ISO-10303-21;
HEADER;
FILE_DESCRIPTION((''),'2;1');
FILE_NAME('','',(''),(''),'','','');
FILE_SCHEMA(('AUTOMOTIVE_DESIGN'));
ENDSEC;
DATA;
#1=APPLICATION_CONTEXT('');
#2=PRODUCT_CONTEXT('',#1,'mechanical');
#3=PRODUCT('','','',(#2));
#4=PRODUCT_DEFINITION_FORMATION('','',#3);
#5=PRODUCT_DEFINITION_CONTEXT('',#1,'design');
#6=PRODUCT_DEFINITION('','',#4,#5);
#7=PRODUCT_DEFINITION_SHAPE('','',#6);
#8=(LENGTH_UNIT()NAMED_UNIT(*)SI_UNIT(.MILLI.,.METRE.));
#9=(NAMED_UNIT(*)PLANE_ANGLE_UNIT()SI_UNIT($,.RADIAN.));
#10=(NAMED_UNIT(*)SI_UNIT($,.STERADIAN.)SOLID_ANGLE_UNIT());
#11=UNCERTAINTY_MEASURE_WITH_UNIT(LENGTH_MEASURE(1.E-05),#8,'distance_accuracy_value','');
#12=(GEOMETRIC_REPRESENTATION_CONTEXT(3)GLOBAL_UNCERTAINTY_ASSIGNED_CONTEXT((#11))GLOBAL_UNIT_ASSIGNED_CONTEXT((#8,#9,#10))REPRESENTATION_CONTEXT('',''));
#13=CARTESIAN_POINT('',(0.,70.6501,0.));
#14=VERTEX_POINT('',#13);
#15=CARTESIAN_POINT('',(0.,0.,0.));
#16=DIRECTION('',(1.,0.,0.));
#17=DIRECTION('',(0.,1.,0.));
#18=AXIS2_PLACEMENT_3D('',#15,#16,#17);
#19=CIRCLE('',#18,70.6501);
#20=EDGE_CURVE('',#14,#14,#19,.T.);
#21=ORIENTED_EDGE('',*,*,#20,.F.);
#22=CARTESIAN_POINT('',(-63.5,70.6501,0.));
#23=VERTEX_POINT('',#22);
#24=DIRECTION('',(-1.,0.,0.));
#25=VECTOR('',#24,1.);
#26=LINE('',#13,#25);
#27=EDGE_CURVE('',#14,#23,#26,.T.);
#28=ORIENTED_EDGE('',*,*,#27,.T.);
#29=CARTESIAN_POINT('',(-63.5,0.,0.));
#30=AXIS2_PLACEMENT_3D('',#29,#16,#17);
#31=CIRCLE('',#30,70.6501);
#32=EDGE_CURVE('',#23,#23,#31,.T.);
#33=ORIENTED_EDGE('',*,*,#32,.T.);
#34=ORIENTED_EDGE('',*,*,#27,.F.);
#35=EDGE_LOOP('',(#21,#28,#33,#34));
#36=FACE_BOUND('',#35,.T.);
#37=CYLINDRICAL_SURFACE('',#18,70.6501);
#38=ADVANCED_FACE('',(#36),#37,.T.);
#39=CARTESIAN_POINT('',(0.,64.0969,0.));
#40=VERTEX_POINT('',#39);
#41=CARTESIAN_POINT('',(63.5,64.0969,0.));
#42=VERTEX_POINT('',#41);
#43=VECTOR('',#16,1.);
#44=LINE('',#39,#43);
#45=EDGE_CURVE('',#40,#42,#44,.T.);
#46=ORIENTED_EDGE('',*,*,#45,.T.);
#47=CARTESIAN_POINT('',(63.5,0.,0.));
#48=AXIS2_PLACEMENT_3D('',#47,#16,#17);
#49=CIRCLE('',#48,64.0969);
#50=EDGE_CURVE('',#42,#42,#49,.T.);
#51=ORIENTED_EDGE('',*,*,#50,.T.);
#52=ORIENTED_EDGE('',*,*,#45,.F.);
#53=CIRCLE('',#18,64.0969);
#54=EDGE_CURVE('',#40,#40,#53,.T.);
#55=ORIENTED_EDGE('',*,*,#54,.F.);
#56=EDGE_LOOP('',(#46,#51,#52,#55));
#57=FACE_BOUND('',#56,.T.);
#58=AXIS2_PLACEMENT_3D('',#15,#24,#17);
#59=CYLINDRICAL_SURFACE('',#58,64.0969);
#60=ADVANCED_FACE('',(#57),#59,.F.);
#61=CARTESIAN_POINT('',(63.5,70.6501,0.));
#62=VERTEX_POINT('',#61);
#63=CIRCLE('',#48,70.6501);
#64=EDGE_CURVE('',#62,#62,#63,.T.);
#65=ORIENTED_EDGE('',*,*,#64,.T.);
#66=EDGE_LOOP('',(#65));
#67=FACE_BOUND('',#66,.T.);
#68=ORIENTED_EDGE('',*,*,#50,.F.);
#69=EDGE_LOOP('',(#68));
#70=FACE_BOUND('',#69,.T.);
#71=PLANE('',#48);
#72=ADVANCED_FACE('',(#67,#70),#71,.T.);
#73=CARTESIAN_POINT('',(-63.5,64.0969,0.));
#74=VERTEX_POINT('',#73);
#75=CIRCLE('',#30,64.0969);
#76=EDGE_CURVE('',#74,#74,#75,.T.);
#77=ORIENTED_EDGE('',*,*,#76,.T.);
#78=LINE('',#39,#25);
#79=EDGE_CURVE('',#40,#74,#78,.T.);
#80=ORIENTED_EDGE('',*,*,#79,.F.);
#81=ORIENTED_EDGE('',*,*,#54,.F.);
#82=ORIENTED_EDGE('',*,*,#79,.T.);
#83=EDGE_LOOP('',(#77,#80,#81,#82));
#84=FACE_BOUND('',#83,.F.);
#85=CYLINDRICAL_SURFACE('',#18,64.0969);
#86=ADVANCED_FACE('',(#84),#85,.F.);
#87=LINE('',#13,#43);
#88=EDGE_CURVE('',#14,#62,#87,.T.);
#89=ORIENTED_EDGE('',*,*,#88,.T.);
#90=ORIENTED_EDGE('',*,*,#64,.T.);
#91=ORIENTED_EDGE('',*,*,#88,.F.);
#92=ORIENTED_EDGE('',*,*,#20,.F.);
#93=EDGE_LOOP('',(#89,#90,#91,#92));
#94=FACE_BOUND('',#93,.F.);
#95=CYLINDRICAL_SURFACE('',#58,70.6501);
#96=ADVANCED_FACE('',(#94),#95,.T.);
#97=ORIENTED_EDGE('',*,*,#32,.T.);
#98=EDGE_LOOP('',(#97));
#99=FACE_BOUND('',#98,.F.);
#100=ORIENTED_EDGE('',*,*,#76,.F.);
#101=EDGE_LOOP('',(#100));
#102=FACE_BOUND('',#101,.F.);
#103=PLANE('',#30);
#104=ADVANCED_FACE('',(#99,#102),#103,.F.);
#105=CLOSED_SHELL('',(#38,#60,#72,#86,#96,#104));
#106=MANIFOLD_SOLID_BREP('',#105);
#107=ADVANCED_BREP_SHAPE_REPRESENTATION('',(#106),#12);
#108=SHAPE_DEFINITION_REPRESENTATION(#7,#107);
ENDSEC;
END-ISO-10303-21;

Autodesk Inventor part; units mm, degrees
ref_plane "YZ Plane" through (0, 0, 0) normal (1, 0, 0) x (0, 1, 0)
ref_plane "XZ Plane" through (0, 0, 0) normal (0, 1, 0) x (-1, 0, 0)
ref_plane "XY Plane" through (0, 0, 0) normal (0, 0, 1) x (1, 0, 0)
sketch "Sketch1" plane through (0, 0, 0) normal (1, 0, 0) x (0, 1, 0)
  circle A0 centre (0, 0) radius 64.0969
  circle A1 centre (0, 0) radius 70.6501
  dimension "d0" = 128.1938
  dimension "d1" = 6.5532
extrude "Extrusion1" add sketch "Sketch1" along normal mid plane 127
properties part number "PVC Pipe" material "PVC-Piping"
